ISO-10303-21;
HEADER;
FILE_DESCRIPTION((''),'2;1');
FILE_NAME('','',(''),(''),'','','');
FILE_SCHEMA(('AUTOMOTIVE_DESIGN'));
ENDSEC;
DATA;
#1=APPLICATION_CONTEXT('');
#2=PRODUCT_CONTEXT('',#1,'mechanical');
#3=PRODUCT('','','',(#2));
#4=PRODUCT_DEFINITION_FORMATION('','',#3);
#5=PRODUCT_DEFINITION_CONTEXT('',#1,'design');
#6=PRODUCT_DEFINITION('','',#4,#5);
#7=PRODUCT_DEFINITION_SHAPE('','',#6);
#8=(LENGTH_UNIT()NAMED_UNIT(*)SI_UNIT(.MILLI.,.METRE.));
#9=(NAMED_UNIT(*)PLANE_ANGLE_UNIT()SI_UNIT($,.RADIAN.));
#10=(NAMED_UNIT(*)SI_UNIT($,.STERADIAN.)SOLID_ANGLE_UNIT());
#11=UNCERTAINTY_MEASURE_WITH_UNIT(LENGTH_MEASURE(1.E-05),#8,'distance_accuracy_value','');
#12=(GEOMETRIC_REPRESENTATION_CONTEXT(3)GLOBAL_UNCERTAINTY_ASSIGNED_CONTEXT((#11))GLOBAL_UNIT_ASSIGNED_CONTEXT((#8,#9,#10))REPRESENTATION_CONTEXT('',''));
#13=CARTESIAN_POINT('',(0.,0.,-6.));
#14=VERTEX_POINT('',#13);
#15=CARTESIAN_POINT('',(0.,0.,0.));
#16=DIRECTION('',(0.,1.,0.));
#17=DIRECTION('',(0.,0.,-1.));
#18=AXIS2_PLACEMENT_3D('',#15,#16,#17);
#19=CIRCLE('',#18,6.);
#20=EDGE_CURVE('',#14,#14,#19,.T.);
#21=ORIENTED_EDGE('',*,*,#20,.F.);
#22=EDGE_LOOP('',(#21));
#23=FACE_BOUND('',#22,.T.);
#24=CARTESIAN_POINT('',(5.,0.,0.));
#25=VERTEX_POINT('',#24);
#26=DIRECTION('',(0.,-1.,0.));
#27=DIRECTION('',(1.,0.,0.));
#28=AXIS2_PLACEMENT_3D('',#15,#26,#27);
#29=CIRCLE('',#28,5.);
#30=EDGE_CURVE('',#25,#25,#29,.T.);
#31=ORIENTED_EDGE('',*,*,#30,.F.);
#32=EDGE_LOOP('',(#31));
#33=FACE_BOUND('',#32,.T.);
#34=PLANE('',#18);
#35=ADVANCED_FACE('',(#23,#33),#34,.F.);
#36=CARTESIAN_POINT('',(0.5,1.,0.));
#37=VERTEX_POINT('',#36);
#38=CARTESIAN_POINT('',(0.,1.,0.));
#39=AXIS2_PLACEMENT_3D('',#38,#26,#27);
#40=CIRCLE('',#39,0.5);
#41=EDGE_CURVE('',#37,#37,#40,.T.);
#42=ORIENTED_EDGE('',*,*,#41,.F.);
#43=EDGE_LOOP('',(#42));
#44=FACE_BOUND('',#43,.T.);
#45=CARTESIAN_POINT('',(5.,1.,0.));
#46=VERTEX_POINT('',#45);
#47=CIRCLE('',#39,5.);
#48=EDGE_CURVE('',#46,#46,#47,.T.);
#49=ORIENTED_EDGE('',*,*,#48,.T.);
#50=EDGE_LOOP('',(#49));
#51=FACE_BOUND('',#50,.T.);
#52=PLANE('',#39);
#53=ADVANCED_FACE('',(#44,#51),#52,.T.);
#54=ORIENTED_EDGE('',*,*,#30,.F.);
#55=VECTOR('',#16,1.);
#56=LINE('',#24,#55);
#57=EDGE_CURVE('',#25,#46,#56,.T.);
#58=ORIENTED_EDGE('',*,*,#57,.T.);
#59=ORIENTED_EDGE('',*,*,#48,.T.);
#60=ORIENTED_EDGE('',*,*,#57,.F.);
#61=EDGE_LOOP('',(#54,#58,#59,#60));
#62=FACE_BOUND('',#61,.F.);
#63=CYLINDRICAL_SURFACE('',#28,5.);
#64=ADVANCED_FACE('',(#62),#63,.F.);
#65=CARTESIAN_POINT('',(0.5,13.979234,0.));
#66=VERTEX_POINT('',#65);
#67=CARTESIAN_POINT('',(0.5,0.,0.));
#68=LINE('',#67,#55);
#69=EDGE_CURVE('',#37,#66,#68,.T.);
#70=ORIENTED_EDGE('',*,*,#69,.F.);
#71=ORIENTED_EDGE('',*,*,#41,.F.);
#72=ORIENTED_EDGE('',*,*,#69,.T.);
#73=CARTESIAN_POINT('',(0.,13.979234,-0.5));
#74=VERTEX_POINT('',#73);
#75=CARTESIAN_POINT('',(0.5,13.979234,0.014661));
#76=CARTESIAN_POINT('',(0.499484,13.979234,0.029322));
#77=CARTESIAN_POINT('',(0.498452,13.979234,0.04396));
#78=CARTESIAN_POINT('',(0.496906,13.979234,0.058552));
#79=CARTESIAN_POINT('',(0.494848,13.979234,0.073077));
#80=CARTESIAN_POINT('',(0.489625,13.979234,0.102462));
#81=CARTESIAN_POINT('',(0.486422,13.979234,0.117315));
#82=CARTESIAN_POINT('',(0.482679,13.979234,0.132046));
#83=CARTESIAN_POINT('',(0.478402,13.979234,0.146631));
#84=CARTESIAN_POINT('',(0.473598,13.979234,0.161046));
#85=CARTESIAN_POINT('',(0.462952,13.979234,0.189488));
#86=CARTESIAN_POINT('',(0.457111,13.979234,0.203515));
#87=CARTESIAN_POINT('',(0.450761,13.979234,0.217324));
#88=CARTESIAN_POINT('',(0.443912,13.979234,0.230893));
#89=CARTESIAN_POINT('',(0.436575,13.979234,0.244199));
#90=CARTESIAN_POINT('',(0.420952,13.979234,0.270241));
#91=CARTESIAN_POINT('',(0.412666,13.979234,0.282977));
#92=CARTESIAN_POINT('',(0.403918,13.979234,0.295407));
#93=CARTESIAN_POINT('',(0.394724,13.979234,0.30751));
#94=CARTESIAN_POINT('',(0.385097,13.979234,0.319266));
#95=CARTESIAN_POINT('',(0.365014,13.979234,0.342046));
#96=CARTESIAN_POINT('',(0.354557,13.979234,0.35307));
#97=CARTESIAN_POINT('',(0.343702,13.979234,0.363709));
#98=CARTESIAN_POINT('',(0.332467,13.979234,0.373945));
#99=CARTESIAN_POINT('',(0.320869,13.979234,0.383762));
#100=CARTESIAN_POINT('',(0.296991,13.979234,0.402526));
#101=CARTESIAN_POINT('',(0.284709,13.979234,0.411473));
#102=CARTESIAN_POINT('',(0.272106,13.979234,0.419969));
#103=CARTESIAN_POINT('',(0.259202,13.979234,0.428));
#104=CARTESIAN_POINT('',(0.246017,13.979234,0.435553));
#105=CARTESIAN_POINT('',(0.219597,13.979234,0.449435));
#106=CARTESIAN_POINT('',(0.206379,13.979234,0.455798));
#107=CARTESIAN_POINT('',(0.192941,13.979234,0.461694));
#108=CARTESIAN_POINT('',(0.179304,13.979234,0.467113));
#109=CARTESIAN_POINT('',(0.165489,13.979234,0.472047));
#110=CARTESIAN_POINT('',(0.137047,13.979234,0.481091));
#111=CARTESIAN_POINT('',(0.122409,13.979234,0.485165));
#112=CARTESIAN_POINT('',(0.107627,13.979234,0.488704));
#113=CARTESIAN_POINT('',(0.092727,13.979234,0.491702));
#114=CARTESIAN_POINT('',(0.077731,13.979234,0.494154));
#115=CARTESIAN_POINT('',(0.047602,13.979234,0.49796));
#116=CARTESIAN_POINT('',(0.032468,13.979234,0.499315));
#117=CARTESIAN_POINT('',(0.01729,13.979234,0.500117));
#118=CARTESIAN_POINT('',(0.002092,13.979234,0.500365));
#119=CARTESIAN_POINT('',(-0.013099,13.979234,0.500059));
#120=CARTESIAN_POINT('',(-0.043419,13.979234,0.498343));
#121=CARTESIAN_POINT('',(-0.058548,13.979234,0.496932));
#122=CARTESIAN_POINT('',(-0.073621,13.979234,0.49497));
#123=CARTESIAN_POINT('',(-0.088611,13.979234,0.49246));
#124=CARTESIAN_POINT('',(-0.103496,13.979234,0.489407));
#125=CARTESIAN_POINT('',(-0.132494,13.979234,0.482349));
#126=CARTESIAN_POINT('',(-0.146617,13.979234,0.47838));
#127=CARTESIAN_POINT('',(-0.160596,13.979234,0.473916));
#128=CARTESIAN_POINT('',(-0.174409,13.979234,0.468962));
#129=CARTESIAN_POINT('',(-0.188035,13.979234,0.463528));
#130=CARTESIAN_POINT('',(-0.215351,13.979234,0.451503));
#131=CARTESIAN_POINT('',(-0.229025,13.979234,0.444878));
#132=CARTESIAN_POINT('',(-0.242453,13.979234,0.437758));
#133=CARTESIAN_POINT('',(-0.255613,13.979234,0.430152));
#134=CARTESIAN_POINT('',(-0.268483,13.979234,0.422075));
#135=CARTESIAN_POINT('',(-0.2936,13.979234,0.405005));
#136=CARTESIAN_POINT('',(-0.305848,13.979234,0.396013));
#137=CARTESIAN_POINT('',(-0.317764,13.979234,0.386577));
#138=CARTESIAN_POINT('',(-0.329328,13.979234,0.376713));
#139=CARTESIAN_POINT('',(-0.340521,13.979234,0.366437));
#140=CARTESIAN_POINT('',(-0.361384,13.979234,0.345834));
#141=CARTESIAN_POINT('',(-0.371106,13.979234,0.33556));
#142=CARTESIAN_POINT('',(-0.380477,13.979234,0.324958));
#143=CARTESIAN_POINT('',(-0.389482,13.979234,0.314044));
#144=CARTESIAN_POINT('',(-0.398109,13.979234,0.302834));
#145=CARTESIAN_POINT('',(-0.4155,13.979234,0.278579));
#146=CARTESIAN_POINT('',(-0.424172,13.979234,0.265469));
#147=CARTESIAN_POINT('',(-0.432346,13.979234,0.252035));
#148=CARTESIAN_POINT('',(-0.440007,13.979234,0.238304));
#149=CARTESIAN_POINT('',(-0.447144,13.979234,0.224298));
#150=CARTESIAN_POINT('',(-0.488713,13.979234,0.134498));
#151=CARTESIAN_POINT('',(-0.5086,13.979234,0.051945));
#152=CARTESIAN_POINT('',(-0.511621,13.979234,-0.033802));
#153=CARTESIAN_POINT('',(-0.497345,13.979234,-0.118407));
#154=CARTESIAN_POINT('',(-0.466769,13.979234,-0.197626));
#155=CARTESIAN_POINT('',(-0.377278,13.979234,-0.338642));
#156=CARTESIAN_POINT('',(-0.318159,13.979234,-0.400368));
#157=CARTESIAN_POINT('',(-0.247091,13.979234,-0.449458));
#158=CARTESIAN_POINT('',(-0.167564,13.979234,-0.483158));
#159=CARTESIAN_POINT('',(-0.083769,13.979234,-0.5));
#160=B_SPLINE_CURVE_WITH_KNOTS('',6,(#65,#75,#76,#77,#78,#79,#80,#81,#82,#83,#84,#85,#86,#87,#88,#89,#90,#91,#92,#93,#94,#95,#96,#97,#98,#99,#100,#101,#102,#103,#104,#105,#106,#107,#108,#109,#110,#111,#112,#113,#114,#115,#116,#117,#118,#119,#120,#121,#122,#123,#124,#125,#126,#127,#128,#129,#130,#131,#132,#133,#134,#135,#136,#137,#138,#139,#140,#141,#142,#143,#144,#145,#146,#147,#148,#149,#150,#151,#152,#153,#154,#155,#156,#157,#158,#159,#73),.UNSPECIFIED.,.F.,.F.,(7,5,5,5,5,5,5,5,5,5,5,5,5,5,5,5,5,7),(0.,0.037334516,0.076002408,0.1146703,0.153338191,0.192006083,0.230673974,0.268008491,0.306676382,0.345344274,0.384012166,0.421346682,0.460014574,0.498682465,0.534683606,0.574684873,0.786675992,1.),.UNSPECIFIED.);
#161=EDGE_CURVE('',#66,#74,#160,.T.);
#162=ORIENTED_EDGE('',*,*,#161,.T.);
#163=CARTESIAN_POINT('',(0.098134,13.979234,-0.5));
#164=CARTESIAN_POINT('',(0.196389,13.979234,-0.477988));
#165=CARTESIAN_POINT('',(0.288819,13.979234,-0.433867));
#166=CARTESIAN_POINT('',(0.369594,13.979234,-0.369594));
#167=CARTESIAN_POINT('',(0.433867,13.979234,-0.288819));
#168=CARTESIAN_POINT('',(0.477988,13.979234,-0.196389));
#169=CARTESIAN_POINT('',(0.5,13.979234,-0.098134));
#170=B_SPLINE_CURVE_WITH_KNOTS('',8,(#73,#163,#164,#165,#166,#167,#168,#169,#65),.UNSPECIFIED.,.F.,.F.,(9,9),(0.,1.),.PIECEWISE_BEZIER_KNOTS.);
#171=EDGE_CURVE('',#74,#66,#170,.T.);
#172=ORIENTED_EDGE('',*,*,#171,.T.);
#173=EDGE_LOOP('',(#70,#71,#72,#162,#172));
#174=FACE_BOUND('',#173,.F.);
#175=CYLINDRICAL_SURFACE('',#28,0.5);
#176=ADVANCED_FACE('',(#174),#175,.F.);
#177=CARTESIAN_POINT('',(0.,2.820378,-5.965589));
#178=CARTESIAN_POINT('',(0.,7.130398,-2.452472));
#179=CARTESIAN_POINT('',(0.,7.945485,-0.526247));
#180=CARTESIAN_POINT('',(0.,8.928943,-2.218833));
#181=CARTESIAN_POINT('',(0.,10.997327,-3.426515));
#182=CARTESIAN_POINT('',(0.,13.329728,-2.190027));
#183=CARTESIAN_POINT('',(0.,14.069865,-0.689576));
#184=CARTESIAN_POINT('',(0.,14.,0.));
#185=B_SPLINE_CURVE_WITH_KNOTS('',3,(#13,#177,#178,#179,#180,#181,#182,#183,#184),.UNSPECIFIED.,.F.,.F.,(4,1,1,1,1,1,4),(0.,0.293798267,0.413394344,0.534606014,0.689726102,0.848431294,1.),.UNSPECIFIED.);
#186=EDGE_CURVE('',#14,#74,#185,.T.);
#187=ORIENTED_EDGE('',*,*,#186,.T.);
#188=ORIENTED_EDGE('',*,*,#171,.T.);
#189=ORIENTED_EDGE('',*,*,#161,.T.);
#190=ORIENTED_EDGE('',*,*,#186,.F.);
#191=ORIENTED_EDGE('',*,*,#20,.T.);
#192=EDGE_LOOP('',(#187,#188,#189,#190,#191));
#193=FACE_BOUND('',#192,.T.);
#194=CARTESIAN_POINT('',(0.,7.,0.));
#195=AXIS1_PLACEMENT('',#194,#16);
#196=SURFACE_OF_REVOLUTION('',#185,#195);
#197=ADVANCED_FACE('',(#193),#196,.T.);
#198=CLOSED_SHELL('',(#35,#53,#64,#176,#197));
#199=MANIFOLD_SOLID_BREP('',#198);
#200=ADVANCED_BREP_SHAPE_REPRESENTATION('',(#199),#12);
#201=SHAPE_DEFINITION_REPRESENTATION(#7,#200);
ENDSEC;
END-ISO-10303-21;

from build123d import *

# Parameters (mm, degrees)
F2_R     = 5
F3_DEPTH = 1
F4_R     = 0.5
F5_DEPTH = 25


with BuildPart() as f1:
    # F0 (on Right) → F1 (revolve)
    with BuildSketch(Plane.YZ):
        with BuildLine():
            Line((0, 0), (0, -6))
            add(Edge.make_bspline(
                [(0, -6), (2.8203784362, -5.9655889681), (7.1303978549, -2.4524716633), (7.9454848453, -0.5262469552), (8.9289428634, -2.2188331126), (10.9973274478, -3.4265152063), (13.3297280982, -2.1900272577), (14.0698651624, -0.6895763198), (14, 0)],
                knots=[0, 0, 0, 0, 0.2937982665, 0.4133943443, 0.5346060142, 0.6897261024, 0.8484312936, 1, 1, 1, 1], degree=3))
            Line((14, 0), (0, 0))
        make_face()
    revolve(axis=Axis((0, 7, 0), (0, 1, 0)))

    # F2 (on Front) → F3 (cut)
    with BuildSketch(Plane.XZ):
        Circle(F2_R)
    extrude(amount=-F3_DEPTH, mode=Mode.SUBTRACT)

    # F4 (on Front) → F5 (cut)
    with BuildSketch(Plane.XZ):
        Circle(F4_R)
    extrude(amount=-F5_DEPTH, mode=Mode.SUBTRACT)


solid = f1.part
